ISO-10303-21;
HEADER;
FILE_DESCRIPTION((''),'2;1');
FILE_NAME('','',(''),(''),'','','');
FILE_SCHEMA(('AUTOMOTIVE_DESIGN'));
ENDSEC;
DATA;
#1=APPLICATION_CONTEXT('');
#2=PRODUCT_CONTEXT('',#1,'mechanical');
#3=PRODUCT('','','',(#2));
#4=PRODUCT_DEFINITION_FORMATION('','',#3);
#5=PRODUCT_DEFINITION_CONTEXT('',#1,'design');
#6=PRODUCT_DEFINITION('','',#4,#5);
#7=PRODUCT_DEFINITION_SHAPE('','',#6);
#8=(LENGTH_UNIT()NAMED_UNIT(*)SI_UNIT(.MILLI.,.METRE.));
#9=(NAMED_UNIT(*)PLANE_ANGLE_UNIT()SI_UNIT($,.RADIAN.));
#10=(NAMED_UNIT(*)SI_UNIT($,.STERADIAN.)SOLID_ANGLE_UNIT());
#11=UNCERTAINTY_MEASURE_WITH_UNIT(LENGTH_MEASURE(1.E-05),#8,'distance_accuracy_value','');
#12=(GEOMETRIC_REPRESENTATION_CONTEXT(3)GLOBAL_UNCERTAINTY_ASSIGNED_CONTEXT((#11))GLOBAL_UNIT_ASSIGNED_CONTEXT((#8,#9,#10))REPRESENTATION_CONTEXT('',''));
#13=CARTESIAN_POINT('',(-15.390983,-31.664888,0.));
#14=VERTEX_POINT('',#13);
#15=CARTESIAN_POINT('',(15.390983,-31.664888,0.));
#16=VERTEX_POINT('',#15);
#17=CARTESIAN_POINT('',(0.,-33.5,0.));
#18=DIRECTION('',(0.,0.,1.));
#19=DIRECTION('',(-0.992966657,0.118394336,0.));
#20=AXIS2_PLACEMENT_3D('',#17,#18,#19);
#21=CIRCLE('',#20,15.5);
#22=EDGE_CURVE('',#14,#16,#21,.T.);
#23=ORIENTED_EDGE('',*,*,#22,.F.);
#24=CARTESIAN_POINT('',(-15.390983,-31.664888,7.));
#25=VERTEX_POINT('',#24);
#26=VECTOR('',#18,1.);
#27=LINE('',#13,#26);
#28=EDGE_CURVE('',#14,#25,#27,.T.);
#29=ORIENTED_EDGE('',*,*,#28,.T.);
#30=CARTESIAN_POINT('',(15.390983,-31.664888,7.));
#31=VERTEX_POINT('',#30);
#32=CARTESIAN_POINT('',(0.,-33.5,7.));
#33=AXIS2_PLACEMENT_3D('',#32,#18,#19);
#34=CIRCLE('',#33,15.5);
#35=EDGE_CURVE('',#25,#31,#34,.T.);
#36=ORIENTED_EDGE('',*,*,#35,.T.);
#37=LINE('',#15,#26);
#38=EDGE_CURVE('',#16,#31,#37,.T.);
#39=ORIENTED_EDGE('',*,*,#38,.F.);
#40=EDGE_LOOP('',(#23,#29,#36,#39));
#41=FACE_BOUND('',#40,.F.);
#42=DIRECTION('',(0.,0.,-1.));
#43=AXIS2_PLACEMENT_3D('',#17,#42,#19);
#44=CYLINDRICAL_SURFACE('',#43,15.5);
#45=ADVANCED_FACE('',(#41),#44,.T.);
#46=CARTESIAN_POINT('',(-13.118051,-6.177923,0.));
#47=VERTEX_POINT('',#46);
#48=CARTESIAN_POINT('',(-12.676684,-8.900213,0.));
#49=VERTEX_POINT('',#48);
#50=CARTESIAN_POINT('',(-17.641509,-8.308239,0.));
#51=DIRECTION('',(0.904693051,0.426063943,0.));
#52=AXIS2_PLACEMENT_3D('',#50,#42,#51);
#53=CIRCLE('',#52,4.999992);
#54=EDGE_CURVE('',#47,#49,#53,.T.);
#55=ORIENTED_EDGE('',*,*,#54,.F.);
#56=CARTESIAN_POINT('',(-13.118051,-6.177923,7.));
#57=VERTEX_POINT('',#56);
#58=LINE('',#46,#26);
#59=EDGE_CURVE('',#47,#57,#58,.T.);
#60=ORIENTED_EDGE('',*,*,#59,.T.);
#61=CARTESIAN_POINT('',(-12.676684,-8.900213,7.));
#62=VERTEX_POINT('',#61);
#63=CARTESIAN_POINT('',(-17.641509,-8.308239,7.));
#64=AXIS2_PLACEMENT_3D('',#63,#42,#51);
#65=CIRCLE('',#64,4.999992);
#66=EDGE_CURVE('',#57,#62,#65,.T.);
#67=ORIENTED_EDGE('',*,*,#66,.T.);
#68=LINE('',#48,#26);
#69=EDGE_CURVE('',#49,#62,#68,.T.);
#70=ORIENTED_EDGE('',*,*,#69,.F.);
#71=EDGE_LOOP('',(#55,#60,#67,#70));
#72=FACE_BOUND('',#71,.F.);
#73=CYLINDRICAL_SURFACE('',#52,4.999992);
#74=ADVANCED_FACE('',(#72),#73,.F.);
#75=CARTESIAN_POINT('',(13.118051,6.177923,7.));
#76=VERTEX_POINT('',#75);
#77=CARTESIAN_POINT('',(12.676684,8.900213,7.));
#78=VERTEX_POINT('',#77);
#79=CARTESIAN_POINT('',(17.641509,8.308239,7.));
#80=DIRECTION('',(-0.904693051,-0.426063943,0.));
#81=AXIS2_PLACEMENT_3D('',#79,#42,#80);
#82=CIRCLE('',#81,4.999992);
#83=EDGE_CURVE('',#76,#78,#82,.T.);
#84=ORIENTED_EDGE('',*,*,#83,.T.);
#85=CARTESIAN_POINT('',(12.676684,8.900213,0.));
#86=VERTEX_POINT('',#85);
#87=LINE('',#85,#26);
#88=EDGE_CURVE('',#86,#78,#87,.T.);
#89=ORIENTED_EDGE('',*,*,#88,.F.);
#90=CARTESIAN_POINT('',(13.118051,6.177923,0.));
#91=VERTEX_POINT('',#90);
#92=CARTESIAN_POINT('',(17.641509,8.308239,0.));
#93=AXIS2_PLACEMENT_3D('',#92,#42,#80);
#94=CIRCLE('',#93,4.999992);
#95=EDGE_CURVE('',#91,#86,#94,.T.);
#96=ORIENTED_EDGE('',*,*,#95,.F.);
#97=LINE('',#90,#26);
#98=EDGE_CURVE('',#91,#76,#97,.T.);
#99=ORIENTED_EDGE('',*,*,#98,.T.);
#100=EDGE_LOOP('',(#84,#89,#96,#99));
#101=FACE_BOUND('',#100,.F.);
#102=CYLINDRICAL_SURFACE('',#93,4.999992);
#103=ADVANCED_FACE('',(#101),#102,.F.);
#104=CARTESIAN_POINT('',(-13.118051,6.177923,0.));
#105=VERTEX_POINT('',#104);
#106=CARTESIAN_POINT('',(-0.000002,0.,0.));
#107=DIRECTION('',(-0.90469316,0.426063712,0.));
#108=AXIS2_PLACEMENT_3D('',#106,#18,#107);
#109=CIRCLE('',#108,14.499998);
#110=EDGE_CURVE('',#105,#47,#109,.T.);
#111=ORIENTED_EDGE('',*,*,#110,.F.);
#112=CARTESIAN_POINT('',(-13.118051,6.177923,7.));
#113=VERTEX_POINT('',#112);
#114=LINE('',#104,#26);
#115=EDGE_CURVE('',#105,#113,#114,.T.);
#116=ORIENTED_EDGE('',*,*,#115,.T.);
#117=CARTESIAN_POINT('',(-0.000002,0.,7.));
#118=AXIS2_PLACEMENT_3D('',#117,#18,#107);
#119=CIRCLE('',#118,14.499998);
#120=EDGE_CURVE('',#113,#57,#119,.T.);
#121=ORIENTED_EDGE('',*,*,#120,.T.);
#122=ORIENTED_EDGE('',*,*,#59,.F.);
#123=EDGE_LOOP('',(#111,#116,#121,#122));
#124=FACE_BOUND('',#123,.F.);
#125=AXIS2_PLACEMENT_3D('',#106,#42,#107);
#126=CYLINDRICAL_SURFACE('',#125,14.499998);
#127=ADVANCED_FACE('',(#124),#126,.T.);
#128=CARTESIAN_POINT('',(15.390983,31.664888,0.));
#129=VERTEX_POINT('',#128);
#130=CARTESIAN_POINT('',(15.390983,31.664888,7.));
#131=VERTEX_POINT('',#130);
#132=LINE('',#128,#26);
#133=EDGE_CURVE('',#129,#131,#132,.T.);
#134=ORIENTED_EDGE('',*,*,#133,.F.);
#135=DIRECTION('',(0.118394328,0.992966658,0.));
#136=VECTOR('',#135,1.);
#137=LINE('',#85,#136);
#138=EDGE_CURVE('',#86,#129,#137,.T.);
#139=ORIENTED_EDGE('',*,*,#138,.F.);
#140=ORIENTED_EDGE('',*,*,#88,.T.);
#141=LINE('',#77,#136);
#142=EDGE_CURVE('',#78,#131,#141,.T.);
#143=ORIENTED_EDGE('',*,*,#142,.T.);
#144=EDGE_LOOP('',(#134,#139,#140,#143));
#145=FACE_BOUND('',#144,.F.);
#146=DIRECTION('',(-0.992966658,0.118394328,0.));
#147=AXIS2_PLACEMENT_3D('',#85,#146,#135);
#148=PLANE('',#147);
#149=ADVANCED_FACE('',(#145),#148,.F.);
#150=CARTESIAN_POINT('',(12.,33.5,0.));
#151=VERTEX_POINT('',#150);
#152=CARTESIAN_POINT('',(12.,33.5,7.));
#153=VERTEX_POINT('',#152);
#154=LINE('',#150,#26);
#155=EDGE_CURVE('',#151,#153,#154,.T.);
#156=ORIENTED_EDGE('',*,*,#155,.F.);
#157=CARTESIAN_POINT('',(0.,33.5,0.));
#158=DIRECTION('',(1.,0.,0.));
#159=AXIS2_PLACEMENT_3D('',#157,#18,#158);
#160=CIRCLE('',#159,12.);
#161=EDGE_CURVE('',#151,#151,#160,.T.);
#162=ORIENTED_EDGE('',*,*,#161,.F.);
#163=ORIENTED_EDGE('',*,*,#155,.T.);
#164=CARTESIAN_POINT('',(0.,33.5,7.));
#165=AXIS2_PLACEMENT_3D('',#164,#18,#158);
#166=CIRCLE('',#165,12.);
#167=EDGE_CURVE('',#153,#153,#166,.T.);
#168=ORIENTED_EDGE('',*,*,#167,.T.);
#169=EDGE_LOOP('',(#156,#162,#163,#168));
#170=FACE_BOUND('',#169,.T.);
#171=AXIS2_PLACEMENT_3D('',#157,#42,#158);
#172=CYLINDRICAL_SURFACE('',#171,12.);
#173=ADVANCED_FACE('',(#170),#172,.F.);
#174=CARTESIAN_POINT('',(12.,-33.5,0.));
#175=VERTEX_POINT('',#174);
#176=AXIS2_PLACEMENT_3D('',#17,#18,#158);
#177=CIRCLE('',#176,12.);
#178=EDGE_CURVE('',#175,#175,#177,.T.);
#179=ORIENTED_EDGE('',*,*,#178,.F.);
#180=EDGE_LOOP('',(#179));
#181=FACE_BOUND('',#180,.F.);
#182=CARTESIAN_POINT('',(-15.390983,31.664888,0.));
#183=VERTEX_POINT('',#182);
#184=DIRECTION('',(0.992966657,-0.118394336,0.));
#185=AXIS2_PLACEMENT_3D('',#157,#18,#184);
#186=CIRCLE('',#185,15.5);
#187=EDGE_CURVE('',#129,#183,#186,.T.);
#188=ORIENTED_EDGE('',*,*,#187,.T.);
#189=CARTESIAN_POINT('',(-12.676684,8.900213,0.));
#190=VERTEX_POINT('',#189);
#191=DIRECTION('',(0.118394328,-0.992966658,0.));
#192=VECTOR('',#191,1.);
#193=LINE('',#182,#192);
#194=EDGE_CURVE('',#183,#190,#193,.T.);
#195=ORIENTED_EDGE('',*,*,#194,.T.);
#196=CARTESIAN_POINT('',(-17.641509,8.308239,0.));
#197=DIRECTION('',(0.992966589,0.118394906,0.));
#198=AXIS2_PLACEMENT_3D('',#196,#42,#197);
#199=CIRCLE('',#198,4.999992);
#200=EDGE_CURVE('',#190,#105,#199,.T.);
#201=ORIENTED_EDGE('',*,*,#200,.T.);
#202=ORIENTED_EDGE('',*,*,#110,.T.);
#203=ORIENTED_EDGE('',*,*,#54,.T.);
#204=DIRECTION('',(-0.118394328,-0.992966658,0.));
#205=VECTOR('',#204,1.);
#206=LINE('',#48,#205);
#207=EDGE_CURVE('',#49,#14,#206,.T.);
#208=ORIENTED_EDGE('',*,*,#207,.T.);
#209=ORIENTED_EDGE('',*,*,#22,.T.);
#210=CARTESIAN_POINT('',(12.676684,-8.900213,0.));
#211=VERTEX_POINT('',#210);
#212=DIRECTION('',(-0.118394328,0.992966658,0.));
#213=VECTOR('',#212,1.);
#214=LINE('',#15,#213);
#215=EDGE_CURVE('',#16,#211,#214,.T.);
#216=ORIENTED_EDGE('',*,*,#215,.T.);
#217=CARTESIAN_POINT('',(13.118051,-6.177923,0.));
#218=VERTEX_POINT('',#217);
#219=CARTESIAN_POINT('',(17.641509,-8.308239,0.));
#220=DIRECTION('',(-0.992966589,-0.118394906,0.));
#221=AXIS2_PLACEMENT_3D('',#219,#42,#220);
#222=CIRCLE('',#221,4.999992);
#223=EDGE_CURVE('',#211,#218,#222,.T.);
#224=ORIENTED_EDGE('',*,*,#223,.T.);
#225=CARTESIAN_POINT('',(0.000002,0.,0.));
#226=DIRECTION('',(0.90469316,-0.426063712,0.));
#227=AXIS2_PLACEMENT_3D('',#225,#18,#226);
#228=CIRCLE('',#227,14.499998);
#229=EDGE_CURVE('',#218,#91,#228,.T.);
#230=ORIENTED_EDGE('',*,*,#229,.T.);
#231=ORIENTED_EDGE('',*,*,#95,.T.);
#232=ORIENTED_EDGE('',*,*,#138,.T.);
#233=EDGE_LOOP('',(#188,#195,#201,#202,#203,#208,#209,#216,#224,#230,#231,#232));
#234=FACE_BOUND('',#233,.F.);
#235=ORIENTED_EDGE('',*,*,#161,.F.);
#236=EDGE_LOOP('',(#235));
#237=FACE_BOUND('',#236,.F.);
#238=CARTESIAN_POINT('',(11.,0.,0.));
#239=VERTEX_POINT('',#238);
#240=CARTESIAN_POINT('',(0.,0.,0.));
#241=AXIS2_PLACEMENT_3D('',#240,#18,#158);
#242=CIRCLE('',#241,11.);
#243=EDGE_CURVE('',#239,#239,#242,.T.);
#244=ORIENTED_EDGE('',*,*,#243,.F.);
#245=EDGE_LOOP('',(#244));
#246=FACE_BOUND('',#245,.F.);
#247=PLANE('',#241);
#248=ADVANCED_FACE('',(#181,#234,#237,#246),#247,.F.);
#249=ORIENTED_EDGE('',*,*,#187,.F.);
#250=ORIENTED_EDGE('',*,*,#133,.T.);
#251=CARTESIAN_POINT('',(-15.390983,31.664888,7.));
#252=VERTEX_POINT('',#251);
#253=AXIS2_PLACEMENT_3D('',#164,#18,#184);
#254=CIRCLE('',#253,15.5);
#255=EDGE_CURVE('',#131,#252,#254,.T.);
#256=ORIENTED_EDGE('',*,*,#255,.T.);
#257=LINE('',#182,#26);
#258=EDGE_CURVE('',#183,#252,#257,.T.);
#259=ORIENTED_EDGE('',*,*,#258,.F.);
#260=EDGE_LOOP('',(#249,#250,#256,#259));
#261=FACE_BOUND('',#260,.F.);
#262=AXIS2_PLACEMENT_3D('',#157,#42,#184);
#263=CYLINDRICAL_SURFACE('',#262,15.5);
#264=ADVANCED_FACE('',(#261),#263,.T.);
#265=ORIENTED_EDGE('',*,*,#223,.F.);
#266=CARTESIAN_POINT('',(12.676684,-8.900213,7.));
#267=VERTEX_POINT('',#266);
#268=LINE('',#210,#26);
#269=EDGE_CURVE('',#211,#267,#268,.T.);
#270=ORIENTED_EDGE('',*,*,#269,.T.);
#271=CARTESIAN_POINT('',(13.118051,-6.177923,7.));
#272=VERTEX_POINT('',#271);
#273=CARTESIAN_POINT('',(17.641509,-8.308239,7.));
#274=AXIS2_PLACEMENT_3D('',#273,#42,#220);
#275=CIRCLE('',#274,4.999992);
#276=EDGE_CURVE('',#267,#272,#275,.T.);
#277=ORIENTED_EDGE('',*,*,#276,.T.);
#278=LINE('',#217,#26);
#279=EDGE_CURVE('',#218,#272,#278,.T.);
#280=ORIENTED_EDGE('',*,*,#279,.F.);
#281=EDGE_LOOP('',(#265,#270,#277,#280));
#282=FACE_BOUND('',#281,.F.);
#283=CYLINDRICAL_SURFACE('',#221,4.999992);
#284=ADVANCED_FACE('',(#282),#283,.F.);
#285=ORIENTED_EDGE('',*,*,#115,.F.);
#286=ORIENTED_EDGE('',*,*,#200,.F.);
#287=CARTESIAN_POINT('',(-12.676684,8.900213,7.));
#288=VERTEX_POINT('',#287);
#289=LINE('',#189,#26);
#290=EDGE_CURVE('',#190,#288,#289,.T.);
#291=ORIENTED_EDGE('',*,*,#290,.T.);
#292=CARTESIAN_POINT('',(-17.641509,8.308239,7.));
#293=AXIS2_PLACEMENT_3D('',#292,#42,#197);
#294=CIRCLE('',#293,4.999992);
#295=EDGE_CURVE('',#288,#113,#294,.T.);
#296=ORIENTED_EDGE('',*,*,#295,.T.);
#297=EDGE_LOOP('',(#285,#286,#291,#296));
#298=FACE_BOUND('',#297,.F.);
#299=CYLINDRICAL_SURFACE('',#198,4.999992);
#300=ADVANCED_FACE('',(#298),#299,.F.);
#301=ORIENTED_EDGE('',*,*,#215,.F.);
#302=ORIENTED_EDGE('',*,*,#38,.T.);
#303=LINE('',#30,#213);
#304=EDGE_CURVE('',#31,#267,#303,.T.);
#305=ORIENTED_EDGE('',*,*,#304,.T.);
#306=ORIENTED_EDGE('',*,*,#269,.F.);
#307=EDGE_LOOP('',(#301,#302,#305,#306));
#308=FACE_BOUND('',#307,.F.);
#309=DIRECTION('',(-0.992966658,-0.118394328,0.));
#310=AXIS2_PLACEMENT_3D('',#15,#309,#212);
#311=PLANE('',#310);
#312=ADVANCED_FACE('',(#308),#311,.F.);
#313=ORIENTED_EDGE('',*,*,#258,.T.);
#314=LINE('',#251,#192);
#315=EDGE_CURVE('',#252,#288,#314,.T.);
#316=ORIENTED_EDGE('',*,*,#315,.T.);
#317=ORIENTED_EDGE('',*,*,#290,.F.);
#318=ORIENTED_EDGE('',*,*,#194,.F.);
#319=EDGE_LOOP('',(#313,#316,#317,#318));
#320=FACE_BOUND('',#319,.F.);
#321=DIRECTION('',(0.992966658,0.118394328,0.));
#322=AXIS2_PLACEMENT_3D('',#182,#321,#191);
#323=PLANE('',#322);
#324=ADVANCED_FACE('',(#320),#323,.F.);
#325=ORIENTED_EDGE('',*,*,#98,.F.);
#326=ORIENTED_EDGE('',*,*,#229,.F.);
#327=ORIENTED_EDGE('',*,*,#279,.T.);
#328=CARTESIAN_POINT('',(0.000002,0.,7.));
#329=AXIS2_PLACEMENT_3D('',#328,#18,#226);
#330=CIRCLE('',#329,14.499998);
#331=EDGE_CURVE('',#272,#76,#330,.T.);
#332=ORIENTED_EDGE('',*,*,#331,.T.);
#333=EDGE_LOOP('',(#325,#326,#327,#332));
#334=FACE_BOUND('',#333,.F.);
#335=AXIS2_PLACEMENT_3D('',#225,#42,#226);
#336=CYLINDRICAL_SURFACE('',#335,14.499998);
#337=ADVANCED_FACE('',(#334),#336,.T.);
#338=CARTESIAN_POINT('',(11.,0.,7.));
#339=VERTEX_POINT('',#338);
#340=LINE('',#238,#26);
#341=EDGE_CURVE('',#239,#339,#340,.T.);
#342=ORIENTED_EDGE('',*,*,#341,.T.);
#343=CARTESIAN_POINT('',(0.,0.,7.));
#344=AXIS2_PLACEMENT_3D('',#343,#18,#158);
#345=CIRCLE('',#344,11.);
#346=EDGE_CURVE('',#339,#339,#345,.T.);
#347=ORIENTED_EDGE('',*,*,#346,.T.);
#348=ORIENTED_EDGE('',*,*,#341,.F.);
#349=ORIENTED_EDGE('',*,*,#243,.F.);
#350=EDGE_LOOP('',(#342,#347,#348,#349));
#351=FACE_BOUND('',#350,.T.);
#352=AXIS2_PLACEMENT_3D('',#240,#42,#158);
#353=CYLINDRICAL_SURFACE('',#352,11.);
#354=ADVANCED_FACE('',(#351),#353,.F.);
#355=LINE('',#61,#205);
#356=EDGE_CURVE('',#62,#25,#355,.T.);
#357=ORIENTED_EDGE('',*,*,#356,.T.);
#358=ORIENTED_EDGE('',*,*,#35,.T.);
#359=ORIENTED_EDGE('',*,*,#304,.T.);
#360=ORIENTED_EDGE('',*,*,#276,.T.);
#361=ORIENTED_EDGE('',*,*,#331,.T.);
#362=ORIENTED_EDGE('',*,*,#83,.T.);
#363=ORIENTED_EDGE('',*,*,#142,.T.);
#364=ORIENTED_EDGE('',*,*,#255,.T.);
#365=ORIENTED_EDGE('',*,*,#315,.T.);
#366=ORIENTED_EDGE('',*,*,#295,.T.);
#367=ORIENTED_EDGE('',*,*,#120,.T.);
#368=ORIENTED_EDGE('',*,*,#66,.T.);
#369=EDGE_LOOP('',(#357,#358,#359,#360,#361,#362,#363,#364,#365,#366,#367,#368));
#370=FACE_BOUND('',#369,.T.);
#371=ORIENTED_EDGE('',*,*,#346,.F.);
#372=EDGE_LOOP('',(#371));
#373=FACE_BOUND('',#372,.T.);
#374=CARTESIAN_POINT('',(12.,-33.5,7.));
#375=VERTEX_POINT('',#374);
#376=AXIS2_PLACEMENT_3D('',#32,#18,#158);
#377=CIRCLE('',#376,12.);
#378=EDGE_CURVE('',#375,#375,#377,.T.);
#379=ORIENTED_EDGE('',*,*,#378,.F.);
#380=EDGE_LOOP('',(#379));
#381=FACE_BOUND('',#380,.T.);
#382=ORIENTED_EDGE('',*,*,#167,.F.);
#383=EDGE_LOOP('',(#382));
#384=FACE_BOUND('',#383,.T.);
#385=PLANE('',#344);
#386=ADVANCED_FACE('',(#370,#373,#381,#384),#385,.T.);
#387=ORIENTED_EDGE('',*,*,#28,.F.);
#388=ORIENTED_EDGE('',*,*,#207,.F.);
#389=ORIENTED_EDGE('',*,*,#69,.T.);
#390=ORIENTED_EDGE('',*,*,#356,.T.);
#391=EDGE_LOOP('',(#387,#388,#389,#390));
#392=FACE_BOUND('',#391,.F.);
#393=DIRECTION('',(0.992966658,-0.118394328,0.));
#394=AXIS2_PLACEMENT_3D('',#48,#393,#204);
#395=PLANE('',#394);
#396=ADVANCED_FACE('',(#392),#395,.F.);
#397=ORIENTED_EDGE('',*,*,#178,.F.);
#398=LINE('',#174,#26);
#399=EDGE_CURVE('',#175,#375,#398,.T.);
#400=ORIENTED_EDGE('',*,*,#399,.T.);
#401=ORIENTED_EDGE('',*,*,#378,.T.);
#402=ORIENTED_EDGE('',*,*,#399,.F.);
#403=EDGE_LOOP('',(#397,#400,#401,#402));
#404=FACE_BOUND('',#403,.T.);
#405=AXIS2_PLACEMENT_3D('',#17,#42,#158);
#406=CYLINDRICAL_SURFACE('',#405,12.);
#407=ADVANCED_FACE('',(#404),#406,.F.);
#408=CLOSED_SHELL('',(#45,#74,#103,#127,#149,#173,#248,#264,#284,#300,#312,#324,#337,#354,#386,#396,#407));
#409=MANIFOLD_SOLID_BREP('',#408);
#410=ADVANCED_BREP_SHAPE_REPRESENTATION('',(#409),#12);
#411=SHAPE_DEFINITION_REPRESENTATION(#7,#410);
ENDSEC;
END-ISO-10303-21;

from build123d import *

# Parameters (mm, degrees)
F0_R     = 12
F0_R_2   = 11
F1_DEPTH = 7


with BuildPart() as f1:
    # F0 (on Top) → F1 (new body)
    with BuildSketch(Plane.XY):
        with BuildLine():
            ThreePointArc((-12.676684, 8.900213), (-12.705965, 7.508036), (-13.118051, 6.177923))
            ThreePointArc((-13.118051, 6.177923), (-14.5, 0), (-13.118051, -6.177923))
            ThreePointArc((-13.118051, -6.177923), (-12.705965, -7.508036), (-12.676684, -8.900213))
            Line((-12.676684, -8.900213), (-15.390983, -31.664888))
            ThreePointArc((-15.390983, -31.664888), (0, -49), (15.390983, -31.664888))
            Line((15.390983, -31.664888), (12.676684, -8.900213))
            ThreePointArc((12.676684, -8.900213), (12.705965, -7.508036), (13.118051, -6.177923))
            ThreePointArc((13.118051, -6.177923), (14.5, 0), (13.118051, 6.177923))
            ThreePointArc((13.118051, 6.177923), (12.705965, 7.508036), (12.676684, 8.900213))
            Line((12.676684, 8.900213), (15.390983, 31.664888))
            ThreePointArc((15.390983, 31.664888), (0, 49), (-15.390983, 31.664888))
            Line((-15.390983, 31.664888), (-12.676684, 8.900213))
        make_face()
        with Locations((0, -33.5)):
            Circle(F0_R, mode=Mode.SUBTRACT)
        Circle(F0_R_2, mode=Mode.SUBTRACT)
        with Locations((0, 33.5)):
            Circle(F0_R, mode=Mode.SUBTRACT)
    extrude(amount=F1_DEPTH)


solid = f1.part
